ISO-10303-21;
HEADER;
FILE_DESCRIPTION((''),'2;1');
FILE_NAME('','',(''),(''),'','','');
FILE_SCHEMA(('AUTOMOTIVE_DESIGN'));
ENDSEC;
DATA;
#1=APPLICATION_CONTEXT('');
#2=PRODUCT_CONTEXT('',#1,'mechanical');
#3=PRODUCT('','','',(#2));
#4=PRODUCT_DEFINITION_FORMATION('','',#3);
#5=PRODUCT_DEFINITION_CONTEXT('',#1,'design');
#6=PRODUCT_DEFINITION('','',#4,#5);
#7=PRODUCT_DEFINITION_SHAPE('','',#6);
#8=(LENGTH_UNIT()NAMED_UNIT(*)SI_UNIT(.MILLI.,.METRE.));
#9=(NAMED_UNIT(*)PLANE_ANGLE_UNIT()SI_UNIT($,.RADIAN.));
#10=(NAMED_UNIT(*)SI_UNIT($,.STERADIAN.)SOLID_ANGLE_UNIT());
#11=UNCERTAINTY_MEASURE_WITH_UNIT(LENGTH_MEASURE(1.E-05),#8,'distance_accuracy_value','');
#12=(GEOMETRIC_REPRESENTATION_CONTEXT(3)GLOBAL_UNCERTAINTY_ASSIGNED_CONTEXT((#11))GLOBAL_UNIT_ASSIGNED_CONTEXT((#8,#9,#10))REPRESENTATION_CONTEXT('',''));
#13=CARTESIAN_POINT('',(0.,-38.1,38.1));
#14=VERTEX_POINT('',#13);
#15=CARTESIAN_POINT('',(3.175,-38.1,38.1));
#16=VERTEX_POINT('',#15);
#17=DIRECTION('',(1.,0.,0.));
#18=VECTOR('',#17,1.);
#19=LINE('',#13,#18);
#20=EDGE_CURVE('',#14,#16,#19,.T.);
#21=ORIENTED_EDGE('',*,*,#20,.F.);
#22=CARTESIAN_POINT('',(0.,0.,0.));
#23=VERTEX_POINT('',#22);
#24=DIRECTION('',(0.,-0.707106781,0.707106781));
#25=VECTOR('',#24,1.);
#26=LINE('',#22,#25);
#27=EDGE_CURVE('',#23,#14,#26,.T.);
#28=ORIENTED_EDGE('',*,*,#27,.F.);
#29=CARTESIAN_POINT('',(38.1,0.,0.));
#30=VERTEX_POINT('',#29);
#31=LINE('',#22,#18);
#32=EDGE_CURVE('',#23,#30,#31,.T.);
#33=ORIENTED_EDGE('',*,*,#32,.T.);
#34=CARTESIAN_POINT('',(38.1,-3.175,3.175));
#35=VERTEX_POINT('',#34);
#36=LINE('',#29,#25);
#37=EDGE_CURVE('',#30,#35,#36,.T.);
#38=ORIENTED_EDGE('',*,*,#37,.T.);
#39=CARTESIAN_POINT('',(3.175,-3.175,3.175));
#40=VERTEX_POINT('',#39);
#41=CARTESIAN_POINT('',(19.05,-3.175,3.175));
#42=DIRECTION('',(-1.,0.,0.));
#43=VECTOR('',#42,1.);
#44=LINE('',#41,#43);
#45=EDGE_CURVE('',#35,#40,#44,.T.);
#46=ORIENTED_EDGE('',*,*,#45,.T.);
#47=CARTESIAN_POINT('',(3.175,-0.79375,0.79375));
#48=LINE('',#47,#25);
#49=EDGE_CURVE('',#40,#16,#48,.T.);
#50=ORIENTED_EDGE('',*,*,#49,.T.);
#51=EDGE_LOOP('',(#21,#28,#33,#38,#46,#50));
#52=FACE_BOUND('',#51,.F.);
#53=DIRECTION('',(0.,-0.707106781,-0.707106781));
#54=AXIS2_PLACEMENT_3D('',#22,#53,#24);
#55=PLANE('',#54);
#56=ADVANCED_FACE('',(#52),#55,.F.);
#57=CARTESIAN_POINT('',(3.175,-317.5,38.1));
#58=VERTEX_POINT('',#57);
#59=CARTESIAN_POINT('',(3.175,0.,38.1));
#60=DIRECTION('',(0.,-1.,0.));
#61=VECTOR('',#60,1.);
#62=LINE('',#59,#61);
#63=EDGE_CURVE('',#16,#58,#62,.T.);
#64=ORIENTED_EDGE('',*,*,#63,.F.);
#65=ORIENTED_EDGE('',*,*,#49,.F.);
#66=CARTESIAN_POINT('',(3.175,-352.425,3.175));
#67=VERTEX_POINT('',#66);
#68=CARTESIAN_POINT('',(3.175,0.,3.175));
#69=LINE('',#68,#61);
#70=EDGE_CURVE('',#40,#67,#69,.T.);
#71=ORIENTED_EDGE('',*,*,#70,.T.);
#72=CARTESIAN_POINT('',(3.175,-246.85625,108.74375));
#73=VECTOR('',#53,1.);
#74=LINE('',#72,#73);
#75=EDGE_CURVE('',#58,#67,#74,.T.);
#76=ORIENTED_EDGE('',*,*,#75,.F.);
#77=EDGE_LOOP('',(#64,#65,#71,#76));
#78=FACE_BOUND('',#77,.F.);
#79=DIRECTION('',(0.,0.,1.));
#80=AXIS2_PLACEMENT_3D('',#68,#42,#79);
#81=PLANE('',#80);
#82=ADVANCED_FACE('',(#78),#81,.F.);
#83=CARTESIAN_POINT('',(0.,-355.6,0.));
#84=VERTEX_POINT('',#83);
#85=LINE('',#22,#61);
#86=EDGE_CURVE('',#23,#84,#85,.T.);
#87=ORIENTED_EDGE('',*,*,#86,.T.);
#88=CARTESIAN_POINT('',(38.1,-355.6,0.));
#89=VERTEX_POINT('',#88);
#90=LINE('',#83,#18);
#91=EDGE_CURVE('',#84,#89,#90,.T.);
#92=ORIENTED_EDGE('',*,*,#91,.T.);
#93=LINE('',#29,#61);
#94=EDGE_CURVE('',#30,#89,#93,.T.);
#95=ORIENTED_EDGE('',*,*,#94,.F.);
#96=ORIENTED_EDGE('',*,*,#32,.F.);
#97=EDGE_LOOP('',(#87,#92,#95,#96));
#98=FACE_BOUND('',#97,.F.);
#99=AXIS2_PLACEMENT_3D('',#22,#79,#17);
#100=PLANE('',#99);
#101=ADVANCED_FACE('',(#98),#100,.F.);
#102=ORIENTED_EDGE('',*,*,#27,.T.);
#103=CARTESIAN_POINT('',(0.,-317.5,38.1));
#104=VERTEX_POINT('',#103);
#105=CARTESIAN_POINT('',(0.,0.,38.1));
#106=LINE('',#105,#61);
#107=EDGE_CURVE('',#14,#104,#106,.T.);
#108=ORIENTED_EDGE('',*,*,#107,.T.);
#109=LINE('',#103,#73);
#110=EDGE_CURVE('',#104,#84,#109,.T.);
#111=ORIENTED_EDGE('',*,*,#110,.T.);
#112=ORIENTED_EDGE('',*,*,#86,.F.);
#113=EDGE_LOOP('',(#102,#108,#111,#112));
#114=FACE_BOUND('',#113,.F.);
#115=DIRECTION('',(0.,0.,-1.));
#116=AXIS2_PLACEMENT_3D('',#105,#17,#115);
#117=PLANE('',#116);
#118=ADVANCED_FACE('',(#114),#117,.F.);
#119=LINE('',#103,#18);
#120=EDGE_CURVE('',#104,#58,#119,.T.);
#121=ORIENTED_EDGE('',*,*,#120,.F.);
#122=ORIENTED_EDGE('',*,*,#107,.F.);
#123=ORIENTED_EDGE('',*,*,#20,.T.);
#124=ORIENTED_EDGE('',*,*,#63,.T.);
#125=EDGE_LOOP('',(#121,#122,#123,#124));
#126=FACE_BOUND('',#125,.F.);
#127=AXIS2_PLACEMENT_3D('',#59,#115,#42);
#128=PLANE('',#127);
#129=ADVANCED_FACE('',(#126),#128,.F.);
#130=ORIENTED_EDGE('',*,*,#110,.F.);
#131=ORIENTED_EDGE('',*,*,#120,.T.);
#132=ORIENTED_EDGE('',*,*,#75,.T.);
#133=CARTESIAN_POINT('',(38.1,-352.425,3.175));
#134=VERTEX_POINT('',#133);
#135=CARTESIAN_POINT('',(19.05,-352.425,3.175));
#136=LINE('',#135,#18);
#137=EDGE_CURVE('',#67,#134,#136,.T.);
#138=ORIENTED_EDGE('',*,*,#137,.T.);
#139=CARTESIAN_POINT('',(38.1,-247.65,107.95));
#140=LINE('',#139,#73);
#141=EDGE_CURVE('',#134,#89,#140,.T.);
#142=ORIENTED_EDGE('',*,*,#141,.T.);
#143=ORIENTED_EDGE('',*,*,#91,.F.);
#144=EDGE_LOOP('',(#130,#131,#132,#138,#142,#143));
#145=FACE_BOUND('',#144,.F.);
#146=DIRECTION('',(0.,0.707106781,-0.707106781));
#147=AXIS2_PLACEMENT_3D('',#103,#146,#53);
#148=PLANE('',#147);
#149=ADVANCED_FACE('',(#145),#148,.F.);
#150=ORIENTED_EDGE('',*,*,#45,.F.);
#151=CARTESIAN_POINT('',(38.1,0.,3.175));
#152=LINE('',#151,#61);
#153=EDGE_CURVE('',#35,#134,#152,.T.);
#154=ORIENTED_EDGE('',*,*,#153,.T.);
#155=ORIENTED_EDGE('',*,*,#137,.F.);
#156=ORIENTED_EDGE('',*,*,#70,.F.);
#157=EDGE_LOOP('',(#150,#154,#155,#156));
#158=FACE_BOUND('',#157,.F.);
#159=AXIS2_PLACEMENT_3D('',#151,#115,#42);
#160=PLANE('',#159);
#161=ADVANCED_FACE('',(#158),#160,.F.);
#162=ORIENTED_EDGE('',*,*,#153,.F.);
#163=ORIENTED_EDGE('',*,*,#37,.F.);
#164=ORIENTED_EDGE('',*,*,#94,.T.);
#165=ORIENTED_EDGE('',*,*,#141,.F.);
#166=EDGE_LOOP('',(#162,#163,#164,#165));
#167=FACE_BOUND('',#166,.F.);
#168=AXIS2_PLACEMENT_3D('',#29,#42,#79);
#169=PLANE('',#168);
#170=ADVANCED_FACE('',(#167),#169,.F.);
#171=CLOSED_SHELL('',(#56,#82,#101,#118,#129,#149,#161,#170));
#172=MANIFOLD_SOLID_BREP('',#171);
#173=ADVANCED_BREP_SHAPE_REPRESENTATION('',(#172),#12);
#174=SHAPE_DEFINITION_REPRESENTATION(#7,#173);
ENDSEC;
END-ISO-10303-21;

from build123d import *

# Parameters (mm, degrees)
F1_DEPTH = 355.6
F3_DEPTH = 38.101


with BuildPart() as f1:
    # F0 (on Front) → F1 (new body)
    with BuildSketch(Plane.XZ):
        Polygon((0, 38.1), (0, 0), (38.1, 0), (38.1, 3.175), (3.175, 3.175), (3.175, 38.1), align=None)
    extrude(amount=F1_DEPTH)

    # F2 (on face) → F3 (cut, through all)
    with BuildSketch(Plane(origin=(0, 0, 0), x_dir=(0, -1, 0), z_dir=(-1, 0, 0))):
        Polygon((317.5, 38.1), (355.6, 0), (355.6, 38.1), align=None)
        Polygon((0, 38.1), (0, 0), (38.1, 38.1), align=None)
    extrude(amount=-F3_DEPTH, mode=Mode.SUBTRACT)


solid = f1.part
